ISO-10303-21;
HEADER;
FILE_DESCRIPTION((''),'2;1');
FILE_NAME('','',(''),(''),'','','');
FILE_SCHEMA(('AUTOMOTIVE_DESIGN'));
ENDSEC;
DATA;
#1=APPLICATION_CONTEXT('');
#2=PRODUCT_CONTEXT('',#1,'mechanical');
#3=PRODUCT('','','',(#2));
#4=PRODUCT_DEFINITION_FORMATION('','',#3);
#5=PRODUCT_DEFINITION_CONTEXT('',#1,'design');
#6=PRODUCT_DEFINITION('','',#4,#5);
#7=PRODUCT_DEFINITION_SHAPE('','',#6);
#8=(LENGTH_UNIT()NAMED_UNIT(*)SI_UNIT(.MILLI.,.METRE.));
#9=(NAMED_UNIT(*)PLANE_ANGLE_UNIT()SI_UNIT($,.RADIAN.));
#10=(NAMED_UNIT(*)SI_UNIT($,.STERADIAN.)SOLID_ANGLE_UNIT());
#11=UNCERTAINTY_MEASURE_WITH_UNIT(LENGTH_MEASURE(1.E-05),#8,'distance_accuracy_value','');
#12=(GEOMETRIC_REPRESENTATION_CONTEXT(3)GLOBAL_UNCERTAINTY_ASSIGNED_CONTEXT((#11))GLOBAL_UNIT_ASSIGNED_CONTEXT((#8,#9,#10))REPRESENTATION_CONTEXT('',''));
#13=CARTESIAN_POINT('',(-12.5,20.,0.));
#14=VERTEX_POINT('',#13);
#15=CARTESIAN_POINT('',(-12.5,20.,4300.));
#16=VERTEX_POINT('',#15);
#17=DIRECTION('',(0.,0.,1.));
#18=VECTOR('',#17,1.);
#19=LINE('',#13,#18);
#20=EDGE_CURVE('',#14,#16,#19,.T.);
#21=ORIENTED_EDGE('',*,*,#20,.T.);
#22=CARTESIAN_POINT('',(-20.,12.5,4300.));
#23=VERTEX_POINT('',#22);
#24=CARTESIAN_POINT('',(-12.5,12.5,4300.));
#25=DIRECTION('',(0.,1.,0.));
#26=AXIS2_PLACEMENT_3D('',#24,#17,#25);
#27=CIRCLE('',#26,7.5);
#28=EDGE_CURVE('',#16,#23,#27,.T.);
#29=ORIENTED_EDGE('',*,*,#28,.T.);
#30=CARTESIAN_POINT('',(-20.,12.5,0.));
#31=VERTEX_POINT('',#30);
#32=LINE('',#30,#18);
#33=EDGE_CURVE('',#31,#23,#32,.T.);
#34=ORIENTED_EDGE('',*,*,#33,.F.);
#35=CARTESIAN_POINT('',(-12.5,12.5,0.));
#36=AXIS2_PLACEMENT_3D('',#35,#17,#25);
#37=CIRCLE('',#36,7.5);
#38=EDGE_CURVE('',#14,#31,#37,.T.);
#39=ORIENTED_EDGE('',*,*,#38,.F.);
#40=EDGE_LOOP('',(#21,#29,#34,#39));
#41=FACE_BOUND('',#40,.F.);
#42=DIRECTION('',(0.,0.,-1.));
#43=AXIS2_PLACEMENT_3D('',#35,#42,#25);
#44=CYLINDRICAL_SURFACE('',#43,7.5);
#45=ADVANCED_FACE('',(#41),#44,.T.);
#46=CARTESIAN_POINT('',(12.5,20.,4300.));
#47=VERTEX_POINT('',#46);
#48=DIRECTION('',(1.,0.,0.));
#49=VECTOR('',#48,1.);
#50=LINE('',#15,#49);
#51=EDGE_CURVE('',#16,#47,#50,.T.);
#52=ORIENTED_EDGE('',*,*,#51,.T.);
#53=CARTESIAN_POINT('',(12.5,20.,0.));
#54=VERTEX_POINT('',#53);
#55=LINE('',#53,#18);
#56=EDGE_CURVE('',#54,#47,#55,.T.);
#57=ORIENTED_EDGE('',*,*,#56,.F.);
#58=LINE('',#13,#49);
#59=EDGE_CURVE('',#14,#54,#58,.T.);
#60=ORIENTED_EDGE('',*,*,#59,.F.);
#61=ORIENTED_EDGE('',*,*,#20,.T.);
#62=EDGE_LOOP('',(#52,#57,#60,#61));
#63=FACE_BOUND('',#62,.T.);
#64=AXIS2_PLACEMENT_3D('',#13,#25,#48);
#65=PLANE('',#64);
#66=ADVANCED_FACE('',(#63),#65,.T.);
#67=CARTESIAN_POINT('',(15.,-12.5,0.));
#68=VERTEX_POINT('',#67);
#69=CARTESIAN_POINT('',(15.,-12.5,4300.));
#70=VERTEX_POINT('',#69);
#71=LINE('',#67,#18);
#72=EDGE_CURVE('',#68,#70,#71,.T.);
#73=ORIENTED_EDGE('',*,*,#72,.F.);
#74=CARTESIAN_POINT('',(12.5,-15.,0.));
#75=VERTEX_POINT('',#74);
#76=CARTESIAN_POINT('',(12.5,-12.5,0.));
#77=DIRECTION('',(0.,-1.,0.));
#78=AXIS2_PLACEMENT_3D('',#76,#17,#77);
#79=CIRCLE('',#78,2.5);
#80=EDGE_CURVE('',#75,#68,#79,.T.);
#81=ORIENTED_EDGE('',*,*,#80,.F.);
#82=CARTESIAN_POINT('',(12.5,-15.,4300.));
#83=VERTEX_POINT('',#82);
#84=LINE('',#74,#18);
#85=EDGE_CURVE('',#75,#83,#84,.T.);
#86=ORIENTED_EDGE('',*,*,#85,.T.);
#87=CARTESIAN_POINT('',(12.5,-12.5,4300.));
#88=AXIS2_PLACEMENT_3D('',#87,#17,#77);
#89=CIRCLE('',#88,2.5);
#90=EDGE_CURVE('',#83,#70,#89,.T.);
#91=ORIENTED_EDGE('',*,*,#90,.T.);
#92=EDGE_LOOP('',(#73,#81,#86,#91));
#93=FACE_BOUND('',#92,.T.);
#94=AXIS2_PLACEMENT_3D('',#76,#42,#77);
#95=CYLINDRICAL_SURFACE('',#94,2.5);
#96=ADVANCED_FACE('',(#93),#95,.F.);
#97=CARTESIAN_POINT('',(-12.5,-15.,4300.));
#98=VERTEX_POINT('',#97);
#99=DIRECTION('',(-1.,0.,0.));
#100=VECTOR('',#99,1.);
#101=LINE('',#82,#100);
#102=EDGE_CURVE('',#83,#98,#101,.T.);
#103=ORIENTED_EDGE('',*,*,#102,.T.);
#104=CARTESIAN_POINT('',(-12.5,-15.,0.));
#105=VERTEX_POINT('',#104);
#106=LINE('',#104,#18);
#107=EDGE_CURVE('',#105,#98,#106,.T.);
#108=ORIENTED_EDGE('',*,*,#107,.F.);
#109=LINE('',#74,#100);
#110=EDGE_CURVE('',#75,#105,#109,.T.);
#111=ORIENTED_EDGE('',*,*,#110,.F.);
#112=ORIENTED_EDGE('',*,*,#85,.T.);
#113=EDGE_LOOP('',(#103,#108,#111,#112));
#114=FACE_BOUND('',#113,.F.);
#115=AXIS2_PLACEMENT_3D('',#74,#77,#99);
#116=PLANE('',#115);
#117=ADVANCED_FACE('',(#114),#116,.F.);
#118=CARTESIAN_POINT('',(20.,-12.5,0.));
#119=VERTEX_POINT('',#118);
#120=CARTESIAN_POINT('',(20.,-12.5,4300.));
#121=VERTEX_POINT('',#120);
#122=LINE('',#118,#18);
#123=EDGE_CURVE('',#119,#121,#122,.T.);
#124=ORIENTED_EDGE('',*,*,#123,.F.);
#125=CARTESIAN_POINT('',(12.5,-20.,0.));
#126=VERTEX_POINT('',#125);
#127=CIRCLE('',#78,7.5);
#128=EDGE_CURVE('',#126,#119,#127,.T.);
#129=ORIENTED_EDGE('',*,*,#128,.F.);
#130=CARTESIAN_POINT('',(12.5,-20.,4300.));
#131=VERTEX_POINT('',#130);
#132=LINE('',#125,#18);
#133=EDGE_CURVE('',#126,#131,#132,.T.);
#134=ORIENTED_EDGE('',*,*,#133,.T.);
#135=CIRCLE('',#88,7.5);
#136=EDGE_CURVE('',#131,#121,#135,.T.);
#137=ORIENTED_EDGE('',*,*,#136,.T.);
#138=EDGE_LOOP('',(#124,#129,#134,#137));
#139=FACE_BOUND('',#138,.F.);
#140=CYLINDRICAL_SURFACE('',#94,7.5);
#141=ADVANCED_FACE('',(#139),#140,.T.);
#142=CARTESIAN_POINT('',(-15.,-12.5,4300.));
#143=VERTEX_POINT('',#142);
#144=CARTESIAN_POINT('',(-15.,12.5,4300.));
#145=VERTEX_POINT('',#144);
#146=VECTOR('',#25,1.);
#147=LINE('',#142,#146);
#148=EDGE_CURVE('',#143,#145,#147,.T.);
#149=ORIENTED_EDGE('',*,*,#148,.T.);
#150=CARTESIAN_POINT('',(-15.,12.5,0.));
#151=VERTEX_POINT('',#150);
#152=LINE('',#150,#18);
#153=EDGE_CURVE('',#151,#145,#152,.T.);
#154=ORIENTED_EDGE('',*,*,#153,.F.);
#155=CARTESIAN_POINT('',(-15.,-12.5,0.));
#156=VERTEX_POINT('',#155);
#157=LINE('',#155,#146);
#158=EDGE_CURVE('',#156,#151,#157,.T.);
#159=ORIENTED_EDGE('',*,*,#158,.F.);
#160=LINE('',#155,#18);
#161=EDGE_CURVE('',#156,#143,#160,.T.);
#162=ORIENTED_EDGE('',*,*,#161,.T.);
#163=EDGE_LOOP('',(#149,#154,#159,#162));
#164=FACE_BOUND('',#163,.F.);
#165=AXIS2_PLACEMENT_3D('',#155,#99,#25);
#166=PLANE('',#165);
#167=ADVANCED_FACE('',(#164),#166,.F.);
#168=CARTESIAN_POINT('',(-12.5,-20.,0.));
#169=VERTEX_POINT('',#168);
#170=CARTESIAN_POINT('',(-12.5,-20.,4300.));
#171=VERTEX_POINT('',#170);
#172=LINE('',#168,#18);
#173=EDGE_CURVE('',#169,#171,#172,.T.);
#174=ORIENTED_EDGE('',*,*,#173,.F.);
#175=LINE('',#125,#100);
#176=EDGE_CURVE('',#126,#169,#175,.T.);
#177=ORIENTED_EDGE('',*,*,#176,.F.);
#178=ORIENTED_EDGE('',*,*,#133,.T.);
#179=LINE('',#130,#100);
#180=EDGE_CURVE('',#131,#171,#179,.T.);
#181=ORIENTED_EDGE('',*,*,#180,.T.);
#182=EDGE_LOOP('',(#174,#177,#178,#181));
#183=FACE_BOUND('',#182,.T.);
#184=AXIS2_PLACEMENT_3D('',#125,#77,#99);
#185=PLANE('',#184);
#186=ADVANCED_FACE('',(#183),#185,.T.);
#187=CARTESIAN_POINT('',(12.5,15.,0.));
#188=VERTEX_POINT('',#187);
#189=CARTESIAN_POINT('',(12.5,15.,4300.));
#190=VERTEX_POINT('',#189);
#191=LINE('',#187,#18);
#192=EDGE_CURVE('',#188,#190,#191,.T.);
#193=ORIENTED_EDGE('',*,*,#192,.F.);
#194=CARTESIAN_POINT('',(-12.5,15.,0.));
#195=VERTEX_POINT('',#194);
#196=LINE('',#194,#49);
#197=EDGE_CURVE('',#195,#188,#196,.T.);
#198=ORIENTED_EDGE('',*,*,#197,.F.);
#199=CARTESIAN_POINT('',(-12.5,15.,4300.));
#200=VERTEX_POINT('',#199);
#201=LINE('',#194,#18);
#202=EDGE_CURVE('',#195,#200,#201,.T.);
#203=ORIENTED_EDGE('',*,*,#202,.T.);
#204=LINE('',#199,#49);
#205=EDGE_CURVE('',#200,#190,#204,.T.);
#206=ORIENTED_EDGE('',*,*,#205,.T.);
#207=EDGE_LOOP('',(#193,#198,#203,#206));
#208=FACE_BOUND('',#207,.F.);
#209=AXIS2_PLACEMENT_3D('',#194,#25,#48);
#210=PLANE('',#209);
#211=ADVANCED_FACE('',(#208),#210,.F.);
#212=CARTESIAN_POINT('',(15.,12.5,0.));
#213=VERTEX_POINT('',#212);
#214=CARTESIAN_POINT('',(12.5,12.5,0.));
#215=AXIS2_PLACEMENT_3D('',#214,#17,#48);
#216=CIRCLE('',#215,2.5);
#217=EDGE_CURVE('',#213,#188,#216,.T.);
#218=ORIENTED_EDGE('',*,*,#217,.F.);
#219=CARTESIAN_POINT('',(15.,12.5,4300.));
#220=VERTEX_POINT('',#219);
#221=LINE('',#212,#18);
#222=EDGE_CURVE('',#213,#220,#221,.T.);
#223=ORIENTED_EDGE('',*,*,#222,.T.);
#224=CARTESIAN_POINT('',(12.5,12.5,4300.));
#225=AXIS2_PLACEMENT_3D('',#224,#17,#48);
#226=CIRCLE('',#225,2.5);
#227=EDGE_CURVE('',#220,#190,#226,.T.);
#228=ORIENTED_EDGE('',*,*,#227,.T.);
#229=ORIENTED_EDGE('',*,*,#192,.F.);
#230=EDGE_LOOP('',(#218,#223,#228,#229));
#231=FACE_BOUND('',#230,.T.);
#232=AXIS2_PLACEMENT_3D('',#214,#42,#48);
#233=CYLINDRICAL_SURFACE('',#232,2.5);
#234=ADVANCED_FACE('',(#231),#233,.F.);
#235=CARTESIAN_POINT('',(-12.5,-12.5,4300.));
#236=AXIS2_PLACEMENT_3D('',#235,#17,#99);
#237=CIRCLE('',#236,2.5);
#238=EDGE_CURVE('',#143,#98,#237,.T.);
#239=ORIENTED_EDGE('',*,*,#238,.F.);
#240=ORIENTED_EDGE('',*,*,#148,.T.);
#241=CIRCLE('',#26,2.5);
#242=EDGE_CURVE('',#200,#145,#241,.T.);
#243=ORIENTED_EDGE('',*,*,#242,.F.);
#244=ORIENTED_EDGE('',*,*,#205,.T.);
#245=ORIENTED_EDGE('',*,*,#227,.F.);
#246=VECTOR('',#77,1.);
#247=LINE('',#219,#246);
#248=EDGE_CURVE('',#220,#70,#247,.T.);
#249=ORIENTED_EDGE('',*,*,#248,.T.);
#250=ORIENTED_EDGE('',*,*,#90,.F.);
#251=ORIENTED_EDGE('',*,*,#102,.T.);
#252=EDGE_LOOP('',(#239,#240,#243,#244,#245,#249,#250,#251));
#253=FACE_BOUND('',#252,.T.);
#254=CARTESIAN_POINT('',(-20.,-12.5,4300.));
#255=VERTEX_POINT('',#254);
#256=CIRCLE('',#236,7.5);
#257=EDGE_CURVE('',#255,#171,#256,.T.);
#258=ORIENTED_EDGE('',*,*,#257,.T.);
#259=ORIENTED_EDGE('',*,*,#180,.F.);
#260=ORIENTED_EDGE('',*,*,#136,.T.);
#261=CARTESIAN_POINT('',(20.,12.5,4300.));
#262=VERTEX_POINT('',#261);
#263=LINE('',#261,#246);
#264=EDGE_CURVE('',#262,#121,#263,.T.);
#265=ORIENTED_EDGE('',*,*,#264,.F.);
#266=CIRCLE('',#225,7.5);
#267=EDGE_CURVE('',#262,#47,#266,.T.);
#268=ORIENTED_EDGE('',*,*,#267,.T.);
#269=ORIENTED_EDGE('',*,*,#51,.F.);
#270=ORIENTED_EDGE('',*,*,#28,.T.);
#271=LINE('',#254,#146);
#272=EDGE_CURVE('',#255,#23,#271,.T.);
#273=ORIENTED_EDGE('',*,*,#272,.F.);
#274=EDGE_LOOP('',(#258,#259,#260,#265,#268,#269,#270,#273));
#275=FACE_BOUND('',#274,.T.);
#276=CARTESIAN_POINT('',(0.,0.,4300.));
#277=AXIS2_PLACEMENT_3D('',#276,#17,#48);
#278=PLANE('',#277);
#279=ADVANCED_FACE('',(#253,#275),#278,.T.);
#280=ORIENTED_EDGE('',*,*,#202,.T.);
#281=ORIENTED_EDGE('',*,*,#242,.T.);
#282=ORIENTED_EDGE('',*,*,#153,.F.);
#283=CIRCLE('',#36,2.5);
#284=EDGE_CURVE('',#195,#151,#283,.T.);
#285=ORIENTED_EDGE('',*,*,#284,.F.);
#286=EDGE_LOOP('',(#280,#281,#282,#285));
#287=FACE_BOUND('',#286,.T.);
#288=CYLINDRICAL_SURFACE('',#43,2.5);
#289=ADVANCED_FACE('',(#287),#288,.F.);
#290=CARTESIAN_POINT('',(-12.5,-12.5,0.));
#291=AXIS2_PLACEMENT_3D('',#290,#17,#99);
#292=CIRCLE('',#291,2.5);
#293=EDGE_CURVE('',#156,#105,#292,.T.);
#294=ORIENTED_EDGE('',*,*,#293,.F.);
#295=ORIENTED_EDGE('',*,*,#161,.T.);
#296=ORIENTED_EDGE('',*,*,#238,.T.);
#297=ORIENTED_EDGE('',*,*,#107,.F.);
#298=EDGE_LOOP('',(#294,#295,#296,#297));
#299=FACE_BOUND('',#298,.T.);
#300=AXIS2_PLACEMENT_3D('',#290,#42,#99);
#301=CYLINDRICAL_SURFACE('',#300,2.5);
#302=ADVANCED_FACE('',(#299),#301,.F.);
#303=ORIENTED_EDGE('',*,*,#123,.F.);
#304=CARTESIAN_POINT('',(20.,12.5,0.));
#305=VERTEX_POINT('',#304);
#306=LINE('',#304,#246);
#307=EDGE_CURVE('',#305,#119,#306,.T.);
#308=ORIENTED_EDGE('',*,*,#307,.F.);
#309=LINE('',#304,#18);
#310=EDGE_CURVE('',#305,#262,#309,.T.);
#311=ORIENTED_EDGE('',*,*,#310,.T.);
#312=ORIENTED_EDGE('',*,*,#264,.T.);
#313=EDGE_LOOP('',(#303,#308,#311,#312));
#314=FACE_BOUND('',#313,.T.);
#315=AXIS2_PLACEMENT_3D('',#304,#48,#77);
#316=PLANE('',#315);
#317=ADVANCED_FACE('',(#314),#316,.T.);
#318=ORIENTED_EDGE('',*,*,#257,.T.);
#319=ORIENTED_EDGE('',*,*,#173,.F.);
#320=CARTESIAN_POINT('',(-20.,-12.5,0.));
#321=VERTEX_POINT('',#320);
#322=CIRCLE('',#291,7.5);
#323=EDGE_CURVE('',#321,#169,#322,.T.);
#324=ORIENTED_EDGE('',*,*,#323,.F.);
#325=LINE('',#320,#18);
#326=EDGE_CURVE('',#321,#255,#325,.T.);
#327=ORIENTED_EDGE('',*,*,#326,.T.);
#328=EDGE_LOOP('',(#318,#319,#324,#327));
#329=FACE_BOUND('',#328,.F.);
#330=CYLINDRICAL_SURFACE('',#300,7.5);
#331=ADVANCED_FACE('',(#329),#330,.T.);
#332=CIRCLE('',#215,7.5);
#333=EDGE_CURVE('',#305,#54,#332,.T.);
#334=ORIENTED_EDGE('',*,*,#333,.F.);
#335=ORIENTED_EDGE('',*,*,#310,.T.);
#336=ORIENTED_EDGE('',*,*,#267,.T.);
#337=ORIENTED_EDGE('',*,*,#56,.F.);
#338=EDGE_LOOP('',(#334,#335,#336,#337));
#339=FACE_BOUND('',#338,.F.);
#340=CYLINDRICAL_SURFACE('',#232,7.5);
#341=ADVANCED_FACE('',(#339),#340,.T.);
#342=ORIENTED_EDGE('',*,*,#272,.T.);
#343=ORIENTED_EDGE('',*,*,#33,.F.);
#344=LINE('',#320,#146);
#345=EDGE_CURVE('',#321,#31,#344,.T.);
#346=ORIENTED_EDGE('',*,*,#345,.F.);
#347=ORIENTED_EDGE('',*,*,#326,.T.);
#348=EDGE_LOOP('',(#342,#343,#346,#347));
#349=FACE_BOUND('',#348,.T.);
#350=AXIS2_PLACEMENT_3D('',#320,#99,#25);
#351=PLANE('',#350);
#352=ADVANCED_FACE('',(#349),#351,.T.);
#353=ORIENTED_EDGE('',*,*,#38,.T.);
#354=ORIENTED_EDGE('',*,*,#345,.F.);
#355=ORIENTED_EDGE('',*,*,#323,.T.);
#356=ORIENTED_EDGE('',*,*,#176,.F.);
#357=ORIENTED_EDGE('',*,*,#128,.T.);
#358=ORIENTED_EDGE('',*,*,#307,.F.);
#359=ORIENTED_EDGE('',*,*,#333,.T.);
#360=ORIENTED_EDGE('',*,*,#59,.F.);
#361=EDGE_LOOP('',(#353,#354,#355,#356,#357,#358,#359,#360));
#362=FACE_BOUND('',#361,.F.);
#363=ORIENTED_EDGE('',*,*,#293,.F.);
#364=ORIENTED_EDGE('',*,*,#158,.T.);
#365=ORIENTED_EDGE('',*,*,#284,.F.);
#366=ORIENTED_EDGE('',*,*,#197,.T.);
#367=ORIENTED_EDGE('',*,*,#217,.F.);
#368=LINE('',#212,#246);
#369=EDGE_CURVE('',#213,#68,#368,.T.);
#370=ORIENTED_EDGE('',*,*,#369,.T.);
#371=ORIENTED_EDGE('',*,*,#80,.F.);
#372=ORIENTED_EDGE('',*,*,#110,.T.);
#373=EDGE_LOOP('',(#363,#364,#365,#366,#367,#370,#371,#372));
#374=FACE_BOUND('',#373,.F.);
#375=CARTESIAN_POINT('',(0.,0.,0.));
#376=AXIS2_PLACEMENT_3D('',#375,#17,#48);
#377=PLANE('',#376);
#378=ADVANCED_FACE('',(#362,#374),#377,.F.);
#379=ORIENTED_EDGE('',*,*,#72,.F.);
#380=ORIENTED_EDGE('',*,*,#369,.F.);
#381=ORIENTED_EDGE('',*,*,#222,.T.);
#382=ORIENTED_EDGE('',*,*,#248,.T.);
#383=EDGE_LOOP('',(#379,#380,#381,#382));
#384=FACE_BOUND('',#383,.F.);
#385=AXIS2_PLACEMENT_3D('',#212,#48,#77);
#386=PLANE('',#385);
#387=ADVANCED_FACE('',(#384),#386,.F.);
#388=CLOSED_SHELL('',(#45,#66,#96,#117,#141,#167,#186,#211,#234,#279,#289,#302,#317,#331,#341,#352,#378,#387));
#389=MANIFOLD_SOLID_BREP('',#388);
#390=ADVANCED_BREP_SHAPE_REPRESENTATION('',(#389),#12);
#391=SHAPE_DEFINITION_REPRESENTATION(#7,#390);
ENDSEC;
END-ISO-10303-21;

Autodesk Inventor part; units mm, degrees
ref_plane "YZ Plane" through (0, 0, 0) normal (1, 0, 0) x (0, 1, 0)
ref_plane "Start Plane" through (0, 0, 0) normal (0, 0, 1) x (1, 0, 0)
ref_plane "End Plane" through (0, 0, 4300) normal (0, 0, 1) x (1, 0, 0)
sketch "Sketch" plane through (0, 0, 0) normal (0, 0, 1) x (1, 0, 0)
  line L0 (-20, -12.5) -> (-20, 12.5)
  line L1 (-12.5, 20) -> (12.5, 20)
  line L2 (20, 12.5) -> (20, -12.5)
  line L3 (12.5, -20) -> (-12.5, -20)
  arc A0 (-20, -12.5) -> (-12.5, -20) centre (-12.5, -12.5) ccw
  arc A1 (-12.5, 20) -> (-20, 12.5) centre (-12.5, 12.5) ccw
  arc A2 (20, 12.5) -> (12.5, 20) centre (12.5, 12.5) ccw
  arc A3 (12.5, -20) -> (20, -12.5) centre (12.5, -12.5) ccw
  arc A4 (-12.5, 15) -> (-15, 12.5) centre (-12.5, 12.5) ccw
  line L4 (-12.5, 15) -> (12.5, 15)
  arc A5 (15, 12.5) -> (12.5, 15) centre (12.5, 12.5) ccw
  line L5 (15, 12.5) -> (15, -12.5)
  arc A6 (12.5, -15) -> (15, -12.5) centre (12.5, -12.5) ccw
  line L6 (12.5, -15) -> (-12.5, -15)
  arc A7 (-15, -12.5) -> (-12.5, -15) centre (-12.5, -12.5) ccw
  line L7 (-15, -12.5) -> (-15, 12.5)
  line L8 (0, 30.1746) -> (0, -30.1746) construction
  line L9 (-30.1746, 0) -> (30.1746, 0) construction
  dimension "d7" = 7.5
  dimension "d10" = 40
  dimension "d11" = 40
  dimension "d12" = 5
  dimension "d15" = 20
  dimension "d16" = 20
extrude "Body" add sketch "Sketch" along normal up to surface (4300 mm away) from surface at 0
sketch "Sketch3" plane through (0, 0, 0) normal (0, 0, 1) x (1, 0, 0)
  line L0 (0, 0) -> (10, 0)
ref_plane "Work Plane3" through (0, 0, 0) normal (0, -1, 0) x (1, 0, 0)
sketch "Sketch4" plane through (0, 0, 0) normal (0, -1, 0) x (1, 0, 0)
  line L0 (-2, 0) -> (12, 0)
  line L1 (-2, 4300) -> (12, 4300)
  dimension "d18" = 4300
equation "\"d7\" = G_IR"
equation "\"d10\" = G_H"
equation "\"d11\" = G_W"
equation "\"d12\" = G_T"
equation "\"d15\" = 0.5 * d10"
equation "\"d16\" = 0.5 * d11"
equation "\"d3\" = G_L"
equation "\"G_W\" = 40"
equation "\"G_H\" = 40"
equation "\"G_T\" = 5"
equation "\"G_IR\" = 7.5"
equation "\"G_L\" = d18"
equation "\"G_OFFSET_START\" = 0"
equation "\"G_OFFSET_END\" = 0"
properties part number "ISO 12633-2 - 40x40x5 - 4300" material "Steel, Mild"
